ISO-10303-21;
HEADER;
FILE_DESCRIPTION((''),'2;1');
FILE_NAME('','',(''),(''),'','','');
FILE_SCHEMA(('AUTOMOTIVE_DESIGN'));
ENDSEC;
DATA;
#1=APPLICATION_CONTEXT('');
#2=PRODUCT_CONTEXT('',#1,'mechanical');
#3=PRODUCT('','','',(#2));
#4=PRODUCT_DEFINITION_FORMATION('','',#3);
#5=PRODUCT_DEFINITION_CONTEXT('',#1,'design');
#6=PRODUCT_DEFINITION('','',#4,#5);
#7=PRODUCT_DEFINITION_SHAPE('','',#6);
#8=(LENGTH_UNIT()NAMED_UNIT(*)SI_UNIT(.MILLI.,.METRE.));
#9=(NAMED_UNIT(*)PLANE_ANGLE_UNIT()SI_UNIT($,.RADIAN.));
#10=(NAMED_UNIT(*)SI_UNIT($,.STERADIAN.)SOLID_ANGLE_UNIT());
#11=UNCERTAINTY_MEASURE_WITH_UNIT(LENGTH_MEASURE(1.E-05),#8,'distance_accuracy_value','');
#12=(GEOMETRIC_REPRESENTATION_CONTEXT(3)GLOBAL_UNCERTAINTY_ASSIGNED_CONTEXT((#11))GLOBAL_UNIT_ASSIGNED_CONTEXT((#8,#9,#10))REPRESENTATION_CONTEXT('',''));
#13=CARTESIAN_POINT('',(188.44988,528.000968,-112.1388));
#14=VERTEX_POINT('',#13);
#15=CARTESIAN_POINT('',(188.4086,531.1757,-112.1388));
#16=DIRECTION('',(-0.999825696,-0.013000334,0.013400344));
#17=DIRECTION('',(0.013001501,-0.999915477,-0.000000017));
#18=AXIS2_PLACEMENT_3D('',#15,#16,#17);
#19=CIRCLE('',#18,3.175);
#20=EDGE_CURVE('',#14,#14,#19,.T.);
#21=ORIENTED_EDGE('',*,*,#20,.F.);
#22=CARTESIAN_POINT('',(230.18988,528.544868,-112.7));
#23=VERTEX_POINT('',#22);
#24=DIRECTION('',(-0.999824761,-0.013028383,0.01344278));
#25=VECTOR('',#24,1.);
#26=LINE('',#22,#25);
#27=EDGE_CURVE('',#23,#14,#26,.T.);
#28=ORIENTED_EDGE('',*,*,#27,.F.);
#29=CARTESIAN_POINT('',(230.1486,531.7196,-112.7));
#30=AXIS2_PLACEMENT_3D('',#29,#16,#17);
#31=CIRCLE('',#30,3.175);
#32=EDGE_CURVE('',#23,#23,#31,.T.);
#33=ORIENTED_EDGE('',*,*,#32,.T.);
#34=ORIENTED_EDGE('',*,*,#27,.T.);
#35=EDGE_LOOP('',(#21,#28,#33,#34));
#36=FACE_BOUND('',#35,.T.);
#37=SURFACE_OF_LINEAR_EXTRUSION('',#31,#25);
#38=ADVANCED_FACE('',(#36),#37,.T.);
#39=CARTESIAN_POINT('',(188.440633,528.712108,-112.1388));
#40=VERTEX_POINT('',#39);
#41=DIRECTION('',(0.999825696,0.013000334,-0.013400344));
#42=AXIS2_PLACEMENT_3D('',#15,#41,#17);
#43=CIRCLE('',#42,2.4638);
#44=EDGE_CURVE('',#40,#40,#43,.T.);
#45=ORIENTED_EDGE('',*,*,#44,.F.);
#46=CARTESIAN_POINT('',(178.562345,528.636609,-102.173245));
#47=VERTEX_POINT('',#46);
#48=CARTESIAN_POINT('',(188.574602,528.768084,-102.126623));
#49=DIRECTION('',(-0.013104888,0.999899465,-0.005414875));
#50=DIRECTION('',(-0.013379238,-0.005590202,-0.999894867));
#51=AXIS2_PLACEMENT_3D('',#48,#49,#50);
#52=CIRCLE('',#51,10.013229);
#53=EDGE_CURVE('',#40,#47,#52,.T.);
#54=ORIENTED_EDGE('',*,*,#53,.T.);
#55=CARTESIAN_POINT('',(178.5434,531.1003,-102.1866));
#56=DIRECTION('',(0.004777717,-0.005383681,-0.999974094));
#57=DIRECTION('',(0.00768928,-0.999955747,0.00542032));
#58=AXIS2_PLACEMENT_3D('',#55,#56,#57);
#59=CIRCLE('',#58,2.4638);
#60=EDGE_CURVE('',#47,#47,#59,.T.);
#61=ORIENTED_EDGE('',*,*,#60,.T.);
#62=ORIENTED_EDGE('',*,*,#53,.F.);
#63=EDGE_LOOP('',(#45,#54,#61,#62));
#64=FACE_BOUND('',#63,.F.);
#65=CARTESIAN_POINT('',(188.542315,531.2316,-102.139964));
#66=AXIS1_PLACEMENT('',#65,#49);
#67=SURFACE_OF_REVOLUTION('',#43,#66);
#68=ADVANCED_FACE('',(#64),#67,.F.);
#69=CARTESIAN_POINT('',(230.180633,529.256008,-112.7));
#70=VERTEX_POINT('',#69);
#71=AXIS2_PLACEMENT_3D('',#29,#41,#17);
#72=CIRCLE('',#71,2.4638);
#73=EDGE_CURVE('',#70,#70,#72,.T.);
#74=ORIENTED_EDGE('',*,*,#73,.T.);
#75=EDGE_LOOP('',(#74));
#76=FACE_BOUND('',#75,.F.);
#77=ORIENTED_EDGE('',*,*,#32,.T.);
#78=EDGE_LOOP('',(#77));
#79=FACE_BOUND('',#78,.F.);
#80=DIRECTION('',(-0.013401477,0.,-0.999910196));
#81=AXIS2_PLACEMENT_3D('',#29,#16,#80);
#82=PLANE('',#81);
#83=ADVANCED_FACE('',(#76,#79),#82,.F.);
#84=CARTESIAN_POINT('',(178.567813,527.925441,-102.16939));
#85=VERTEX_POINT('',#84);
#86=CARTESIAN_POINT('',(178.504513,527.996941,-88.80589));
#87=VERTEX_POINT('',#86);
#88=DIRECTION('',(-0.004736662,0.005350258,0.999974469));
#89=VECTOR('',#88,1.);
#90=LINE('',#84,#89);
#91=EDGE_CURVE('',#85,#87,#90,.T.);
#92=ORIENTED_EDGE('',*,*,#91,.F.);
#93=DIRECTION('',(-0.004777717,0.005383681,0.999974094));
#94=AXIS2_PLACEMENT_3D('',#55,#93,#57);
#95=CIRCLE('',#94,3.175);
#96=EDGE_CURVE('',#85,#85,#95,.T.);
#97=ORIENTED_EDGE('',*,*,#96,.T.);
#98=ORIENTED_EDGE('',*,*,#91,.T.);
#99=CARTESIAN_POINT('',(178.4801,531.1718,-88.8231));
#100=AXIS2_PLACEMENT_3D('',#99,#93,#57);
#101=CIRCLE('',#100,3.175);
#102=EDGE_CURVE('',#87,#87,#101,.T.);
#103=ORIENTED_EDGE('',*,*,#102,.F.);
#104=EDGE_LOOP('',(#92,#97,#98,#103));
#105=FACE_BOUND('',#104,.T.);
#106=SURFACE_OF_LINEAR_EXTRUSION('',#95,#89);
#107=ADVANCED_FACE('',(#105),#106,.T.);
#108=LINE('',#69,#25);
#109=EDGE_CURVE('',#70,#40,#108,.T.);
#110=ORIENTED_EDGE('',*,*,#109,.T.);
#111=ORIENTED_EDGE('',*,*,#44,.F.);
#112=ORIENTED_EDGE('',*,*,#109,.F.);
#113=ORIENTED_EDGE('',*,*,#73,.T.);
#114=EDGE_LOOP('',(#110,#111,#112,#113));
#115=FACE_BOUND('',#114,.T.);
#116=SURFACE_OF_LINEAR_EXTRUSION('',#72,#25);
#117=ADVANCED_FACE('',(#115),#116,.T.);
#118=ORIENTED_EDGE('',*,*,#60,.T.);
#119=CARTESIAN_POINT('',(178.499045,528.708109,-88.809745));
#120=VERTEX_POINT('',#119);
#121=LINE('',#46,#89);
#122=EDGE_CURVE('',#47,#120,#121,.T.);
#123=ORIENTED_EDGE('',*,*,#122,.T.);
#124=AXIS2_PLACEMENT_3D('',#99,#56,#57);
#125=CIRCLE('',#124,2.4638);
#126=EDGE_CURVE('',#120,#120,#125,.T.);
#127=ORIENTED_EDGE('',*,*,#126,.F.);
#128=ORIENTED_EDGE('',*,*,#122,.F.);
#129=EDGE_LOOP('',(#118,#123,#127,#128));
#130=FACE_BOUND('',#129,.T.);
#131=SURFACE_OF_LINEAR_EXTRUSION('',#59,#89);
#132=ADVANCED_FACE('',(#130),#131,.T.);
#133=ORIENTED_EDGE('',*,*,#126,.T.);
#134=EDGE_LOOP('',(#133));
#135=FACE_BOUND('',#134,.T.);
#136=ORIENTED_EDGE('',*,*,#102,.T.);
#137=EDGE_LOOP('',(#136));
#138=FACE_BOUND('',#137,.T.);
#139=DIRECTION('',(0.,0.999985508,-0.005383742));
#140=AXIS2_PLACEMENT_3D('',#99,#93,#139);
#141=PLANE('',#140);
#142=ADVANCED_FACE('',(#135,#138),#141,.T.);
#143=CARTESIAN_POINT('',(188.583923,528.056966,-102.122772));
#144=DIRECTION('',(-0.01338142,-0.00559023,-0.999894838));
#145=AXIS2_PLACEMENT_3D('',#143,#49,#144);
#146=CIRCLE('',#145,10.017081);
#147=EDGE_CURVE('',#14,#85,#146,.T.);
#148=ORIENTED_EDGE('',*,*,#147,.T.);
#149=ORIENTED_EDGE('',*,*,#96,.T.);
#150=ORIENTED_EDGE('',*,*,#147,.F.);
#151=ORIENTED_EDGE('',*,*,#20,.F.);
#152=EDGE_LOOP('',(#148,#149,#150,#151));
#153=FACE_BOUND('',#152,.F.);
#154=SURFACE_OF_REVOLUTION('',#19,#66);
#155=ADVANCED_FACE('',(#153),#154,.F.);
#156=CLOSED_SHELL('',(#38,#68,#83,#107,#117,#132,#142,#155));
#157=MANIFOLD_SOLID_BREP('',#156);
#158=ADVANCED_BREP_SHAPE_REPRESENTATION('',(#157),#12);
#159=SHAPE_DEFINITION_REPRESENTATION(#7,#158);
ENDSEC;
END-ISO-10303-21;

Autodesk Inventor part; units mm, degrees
ref_plane "YZ Plane" through (0, 0, 0) normal (1, 0, 0) x (0, 1, 0)
ref_plane "XZ Plane" through (0, 0, 0) normal (0, 1, 0) x (-1, 0, 0)
ref_plane "Work Plane5" through (230.1486, 531.7196, -112.7) normal (-0.9998, -0.013, 0.0134) x (0.013, -0.9999, 0)
sketch "Sketch5" plane through (230.1486, 531.7196, -112.7) normal (-0.9998, -0.013, 0.0134) x (0.013, -0.9999, 0)
  circle A0 centre (0, 0) radius 3.175
  circle A1 centre (0, 0) radius 2.4638
sketch3d "3D Sketch3"
  line L0 (230.1486, 531.7196, -112.7) -> (188.4086, 531.1757, -112.1388)
  arc A0 (188.4086, 531.1757, -112.1388) -> (178.5434, 531.1003, -102.1866) centre (188.5423, 531.2316, -102.14) ccw
  line L1 (178.5434, 531.1003, -102.1866) -> (178.4801, 531.1718, -88.8231)
  dimension "d12" = 9.9999
sweep "Sweep3" add profiles "Sketch5" path "3D Sketch3"
equation "\"OD\" = 6.35"
equation "\"t\" = 0.7112"
equation "\"L\" = PL"
equation "\"ID\" = 4.9276"
equation "\"PL\" = 70.6374"
equation "\"D\" = 15.24"
equation "\"Size_Designation\" = 1.2345"
properties material "Stainless Steel"
